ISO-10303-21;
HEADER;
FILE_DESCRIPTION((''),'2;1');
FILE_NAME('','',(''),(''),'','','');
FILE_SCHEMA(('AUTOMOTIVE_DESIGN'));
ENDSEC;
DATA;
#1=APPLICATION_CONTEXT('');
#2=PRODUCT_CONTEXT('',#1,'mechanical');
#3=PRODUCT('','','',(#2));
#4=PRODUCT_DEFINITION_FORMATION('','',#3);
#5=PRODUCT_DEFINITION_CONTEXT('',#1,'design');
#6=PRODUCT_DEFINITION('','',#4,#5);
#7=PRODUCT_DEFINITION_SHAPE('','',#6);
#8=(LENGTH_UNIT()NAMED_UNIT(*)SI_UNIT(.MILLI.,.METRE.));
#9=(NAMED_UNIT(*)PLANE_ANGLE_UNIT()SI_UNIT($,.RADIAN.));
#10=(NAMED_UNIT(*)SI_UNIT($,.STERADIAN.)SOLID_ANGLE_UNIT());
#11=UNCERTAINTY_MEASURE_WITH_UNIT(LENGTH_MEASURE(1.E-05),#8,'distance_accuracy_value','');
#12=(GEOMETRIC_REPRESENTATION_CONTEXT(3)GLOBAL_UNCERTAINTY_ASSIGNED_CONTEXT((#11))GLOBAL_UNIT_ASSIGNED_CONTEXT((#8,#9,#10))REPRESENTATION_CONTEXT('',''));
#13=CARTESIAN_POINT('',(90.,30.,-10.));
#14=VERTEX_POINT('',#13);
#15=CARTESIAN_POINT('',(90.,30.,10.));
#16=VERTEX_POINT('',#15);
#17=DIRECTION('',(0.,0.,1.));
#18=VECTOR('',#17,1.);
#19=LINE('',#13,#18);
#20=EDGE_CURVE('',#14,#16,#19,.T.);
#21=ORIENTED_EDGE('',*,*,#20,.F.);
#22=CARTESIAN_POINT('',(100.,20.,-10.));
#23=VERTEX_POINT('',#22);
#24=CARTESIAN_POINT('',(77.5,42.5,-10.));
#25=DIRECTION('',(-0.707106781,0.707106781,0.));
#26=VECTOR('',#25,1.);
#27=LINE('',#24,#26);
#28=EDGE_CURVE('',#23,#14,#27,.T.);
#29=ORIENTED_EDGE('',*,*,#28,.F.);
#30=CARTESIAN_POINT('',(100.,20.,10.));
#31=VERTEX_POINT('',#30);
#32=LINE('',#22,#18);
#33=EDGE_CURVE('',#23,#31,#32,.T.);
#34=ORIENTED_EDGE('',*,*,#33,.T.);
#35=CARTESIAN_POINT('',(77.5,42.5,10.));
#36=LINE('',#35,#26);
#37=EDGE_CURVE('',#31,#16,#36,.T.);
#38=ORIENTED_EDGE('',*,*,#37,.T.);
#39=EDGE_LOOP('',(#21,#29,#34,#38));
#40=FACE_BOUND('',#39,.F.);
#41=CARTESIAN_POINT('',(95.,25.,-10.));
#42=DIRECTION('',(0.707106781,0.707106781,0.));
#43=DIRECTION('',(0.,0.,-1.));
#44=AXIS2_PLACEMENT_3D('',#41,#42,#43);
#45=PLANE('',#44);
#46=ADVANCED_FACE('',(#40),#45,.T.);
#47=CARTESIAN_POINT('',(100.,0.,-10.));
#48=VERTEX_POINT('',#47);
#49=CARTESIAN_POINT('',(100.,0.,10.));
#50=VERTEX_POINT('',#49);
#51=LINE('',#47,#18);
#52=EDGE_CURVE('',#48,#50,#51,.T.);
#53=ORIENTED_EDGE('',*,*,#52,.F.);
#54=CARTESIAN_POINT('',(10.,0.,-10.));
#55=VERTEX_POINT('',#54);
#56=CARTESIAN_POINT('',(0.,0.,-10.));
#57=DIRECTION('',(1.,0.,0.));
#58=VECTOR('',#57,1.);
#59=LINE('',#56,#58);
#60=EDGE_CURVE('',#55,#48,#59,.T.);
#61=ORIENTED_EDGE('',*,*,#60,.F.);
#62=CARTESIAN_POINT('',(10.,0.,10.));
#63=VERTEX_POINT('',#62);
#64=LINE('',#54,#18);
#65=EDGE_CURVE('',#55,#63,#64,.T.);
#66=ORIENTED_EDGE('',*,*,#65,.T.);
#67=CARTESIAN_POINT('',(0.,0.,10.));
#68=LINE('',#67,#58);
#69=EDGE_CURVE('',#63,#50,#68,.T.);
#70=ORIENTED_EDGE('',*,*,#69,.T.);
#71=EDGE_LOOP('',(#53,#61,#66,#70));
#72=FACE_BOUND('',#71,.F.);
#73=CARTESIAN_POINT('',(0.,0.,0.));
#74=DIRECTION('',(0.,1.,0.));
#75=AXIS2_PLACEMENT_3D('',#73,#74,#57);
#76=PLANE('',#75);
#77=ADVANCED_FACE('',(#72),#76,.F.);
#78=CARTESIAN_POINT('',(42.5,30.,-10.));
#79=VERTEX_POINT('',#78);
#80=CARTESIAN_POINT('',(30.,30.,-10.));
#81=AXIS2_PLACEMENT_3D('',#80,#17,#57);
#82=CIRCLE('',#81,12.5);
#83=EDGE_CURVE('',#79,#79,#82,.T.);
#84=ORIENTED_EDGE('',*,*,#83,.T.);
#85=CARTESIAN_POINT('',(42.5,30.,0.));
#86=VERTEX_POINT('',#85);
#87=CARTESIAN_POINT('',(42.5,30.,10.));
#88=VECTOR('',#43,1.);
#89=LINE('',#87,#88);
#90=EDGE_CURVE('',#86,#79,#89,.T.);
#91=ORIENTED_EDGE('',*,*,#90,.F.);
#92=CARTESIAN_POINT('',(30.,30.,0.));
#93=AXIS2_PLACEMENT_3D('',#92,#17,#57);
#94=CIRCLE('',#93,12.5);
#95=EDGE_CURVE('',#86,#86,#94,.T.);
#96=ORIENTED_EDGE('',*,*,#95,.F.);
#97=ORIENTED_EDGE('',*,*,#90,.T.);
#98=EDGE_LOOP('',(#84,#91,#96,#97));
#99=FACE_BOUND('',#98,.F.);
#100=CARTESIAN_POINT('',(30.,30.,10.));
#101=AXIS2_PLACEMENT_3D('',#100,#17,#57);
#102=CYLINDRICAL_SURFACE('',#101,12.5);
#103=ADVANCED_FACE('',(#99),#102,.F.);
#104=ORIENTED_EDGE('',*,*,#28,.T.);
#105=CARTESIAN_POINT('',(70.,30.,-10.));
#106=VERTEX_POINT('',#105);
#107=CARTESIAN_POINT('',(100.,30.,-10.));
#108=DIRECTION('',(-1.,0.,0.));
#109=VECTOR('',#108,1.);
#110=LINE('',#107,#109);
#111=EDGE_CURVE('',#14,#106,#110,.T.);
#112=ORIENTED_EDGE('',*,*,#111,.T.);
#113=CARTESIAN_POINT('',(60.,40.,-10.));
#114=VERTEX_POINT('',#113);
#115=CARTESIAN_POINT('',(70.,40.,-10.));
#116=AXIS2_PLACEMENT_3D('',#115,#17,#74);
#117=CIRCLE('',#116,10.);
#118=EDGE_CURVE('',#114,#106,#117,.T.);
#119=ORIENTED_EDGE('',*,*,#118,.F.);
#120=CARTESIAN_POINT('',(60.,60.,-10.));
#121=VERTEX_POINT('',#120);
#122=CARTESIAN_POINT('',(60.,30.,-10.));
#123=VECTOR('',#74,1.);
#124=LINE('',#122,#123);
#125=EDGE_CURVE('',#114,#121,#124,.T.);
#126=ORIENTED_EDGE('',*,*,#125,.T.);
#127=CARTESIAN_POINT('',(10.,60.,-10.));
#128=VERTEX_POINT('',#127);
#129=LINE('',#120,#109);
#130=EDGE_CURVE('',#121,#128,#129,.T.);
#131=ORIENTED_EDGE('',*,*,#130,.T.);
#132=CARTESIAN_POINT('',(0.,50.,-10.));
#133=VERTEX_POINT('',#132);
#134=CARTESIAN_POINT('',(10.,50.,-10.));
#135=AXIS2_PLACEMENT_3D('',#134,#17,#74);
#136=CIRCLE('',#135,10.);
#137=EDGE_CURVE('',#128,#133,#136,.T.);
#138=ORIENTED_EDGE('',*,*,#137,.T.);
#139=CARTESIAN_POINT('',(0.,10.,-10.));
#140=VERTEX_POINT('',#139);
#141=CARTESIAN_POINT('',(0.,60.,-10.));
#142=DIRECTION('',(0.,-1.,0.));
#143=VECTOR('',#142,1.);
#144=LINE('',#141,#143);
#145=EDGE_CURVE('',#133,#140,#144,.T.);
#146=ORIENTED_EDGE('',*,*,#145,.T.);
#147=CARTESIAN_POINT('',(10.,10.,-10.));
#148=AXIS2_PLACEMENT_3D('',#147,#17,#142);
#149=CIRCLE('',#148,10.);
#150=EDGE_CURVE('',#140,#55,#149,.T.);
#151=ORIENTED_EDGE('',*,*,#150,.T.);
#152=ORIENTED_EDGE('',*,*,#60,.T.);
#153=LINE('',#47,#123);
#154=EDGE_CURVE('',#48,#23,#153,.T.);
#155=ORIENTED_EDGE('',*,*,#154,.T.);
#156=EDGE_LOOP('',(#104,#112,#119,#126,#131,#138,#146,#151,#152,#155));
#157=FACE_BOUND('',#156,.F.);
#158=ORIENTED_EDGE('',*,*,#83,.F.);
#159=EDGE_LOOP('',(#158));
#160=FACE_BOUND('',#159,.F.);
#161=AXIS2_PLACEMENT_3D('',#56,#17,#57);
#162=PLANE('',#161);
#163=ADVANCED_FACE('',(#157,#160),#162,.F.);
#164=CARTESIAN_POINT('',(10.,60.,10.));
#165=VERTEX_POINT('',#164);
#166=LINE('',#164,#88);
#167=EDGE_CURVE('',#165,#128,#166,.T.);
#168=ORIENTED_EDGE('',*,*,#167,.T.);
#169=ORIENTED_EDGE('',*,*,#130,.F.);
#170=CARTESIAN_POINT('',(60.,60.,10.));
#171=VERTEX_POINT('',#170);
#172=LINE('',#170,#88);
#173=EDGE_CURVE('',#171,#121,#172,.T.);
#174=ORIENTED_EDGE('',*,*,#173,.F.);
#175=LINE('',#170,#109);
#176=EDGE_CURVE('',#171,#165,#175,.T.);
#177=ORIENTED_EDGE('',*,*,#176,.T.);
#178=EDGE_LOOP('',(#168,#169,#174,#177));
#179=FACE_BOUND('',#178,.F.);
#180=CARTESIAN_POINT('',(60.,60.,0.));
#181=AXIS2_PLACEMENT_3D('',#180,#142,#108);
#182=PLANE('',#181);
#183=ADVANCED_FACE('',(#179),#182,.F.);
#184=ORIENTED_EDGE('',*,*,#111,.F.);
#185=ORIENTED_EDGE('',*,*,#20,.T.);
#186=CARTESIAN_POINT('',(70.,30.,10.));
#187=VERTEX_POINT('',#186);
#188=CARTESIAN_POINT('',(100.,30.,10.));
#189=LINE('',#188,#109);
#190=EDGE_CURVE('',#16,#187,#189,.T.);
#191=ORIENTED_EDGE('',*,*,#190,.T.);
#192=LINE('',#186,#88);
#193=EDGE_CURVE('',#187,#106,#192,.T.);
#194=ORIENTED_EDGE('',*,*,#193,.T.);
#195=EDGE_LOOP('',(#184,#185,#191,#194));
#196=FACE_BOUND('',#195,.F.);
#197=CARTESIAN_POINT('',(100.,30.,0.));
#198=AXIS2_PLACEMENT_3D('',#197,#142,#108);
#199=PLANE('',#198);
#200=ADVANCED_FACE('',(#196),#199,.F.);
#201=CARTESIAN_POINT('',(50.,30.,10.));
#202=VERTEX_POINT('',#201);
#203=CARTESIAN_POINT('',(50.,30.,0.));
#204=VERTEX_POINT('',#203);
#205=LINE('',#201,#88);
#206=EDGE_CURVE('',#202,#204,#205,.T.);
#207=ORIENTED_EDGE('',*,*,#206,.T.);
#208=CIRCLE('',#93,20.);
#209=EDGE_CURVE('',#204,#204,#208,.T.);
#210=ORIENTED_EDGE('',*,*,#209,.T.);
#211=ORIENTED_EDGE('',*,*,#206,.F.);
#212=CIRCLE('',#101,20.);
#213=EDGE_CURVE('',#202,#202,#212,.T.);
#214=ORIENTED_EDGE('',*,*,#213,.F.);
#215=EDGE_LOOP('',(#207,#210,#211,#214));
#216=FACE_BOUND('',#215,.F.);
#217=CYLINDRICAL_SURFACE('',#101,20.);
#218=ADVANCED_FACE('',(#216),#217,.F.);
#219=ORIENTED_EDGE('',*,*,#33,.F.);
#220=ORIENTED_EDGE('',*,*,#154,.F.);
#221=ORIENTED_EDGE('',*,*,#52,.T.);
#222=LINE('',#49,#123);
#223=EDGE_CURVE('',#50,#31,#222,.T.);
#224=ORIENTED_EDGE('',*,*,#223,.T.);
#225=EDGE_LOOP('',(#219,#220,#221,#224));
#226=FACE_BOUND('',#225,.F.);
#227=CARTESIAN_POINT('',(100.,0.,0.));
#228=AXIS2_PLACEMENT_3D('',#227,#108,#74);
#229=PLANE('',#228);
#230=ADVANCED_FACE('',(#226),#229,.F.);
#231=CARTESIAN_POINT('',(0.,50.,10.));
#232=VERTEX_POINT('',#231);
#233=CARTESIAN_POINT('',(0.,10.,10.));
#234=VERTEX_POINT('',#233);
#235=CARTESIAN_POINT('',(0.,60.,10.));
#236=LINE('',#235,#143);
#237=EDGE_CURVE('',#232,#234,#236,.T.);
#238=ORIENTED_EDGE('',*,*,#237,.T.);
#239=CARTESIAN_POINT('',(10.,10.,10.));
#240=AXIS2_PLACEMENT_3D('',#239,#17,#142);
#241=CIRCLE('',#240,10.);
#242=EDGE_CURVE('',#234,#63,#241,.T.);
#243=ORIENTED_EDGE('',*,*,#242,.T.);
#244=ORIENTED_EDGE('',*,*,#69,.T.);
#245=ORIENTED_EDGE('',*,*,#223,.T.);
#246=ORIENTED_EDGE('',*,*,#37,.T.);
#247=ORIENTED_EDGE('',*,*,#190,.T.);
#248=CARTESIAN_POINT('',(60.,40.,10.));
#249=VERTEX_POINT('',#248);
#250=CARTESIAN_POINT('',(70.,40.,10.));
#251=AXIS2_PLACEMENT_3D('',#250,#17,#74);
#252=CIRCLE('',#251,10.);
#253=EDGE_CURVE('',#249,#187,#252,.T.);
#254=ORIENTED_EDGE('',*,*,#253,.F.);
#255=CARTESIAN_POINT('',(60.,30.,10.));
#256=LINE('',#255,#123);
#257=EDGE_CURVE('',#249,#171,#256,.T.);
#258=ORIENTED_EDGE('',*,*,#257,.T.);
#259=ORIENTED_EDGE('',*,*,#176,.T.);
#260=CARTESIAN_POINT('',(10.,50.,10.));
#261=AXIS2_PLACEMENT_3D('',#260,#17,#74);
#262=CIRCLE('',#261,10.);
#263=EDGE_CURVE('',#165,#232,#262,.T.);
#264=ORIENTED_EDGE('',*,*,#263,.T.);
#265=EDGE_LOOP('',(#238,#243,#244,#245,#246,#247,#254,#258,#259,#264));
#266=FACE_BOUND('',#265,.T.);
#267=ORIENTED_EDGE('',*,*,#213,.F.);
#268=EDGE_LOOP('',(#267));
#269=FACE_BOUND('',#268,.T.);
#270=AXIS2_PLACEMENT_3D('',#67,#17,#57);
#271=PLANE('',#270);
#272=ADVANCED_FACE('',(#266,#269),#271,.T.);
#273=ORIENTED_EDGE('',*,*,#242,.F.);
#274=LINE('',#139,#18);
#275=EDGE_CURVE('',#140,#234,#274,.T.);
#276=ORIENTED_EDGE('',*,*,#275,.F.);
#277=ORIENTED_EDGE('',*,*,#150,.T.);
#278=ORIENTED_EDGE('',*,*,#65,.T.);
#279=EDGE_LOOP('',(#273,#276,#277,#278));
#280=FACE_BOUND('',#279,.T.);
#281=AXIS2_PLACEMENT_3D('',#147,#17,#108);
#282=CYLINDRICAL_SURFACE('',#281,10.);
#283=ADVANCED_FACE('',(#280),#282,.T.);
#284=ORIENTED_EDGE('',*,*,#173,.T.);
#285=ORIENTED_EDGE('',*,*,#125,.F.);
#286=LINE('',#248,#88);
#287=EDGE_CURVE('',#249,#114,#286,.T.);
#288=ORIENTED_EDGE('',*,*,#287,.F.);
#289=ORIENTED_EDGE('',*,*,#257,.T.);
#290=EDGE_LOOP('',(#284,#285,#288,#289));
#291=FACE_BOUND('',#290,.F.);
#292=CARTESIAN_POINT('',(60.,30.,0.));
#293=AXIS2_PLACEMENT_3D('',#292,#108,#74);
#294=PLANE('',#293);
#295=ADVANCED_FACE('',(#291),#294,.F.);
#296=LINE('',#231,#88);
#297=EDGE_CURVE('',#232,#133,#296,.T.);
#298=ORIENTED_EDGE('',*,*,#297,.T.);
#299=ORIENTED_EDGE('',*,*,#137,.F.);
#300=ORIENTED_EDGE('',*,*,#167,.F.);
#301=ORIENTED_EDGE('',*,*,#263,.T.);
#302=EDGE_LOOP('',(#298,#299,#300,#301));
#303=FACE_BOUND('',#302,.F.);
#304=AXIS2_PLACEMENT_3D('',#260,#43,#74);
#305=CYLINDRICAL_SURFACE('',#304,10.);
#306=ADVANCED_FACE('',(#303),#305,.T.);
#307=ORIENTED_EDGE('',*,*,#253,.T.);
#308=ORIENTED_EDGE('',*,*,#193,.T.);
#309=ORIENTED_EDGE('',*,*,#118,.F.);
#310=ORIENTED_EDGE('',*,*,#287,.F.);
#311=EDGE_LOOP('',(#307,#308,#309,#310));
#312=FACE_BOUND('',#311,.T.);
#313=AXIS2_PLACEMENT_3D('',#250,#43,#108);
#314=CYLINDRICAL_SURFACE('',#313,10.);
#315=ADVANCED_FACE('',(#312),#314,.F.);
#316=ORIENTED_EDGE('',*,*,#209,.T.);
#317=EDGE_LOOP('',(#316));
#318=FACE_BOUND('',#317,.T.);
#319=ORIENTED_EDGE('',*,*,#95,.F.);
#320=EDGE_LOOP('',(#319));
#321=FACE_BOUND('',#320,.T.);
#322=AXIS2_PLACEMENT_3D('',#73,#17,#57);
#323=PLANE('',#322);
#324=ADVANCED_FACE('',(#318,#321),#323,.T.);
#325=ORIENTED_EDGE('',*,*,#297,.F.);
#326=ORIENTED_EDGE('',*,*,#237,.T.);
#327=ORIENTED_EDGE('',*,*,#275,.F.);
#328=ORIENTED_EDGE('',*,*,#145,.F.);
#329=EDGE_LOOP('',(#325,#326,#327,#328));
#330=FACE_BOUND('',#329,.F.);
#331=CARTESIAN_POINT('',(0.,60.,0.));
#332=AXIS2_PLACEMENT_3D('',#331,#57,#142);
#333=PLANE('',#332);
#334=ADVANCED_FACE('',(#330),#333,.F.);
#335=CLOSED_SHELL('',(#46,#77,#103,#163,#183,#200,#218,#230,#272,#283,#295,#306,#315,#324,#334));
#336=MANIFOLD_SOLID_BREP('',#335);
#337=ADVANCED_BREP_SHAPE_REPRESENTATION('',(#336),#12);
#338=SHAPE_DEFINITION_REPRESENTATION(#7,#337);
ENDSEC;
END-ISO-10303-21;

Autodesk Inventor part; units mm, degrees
ref_plane "YZ Plane" through (0, 0, 0) normal (1, 0, 0) x (0, 1, 0)
ref_plane "XZ Plane" through (0, 0, 0) normal (0, 1, 0) x (-1, 0, 0)
ref_plane "XY Plane" through (0, 0, 0) normal (0, 0, 1) x (1, 0, 0)
sketch "Sketch2" plane through (0, 0, 0) normal (0, 0, 1) x (1, 0, 0)
  line L0 (0, 0) -> (100, 0)
  line L1 (100, 0) -> (100, 30)
  line L2 (100, 30) -> (60, 30)
  line L3 (60, 30) -> (60, 60)
  line L4 (60, 60) -> (0, 60)
  line L5 (0, 60) -> (0, 0)
  dimension "d0" = 30
  dimension "d1" = 100
  dimension "d2" = 40
  dimension "d3" = 60
extrude "Extrusion1" add sketch "Sketch2" along normal mid plane 20
fillet "Fillet1" radius 10 1 edges at (60, 30, 0)
fillet "Fillet2" radius 10 1 edges at (0, 60, 0)
fillet "Fillet3" radius 10 1 edges at (0, 0, 0)
chamfer "Chamfer1" distance 10 angle 45 1 edges at (100, 30, 0)
sketch "Sketch3" plane through (0, 0, 10) normal (0, 0, 1) x (1, 0, 0)
  circle A0 centre (30, 30) radius 12.5
  line L0 (10, 0) -> (100, 0) projected
  line L1 (0, 50) -> (0, 10) projected
  point P0 (0, 0)
  dimension "d12" = 25
  dimension "d13" = 30
  dimension "d14" = 30
extrude "Extrusion2" cut sketch "Sketch3" against normal blind 20
sketch "Sketch4" plane through (0, 0, 10) normal (0, 0, 1) x (1, 0, 0)
  circle A0 centre (30, 30) radius 20
  line L0 (10, 0) -> (100, 0) projected
  line L1 (0, 50) -> (0, 10) projected
  point P0 (0, 0)
  dimension "d17" = 40
  dimension "d18" = 30
  dimension "d19" = 30
extrude "Extrusion3" cut sketch "Sketch4" against normal blind 10
